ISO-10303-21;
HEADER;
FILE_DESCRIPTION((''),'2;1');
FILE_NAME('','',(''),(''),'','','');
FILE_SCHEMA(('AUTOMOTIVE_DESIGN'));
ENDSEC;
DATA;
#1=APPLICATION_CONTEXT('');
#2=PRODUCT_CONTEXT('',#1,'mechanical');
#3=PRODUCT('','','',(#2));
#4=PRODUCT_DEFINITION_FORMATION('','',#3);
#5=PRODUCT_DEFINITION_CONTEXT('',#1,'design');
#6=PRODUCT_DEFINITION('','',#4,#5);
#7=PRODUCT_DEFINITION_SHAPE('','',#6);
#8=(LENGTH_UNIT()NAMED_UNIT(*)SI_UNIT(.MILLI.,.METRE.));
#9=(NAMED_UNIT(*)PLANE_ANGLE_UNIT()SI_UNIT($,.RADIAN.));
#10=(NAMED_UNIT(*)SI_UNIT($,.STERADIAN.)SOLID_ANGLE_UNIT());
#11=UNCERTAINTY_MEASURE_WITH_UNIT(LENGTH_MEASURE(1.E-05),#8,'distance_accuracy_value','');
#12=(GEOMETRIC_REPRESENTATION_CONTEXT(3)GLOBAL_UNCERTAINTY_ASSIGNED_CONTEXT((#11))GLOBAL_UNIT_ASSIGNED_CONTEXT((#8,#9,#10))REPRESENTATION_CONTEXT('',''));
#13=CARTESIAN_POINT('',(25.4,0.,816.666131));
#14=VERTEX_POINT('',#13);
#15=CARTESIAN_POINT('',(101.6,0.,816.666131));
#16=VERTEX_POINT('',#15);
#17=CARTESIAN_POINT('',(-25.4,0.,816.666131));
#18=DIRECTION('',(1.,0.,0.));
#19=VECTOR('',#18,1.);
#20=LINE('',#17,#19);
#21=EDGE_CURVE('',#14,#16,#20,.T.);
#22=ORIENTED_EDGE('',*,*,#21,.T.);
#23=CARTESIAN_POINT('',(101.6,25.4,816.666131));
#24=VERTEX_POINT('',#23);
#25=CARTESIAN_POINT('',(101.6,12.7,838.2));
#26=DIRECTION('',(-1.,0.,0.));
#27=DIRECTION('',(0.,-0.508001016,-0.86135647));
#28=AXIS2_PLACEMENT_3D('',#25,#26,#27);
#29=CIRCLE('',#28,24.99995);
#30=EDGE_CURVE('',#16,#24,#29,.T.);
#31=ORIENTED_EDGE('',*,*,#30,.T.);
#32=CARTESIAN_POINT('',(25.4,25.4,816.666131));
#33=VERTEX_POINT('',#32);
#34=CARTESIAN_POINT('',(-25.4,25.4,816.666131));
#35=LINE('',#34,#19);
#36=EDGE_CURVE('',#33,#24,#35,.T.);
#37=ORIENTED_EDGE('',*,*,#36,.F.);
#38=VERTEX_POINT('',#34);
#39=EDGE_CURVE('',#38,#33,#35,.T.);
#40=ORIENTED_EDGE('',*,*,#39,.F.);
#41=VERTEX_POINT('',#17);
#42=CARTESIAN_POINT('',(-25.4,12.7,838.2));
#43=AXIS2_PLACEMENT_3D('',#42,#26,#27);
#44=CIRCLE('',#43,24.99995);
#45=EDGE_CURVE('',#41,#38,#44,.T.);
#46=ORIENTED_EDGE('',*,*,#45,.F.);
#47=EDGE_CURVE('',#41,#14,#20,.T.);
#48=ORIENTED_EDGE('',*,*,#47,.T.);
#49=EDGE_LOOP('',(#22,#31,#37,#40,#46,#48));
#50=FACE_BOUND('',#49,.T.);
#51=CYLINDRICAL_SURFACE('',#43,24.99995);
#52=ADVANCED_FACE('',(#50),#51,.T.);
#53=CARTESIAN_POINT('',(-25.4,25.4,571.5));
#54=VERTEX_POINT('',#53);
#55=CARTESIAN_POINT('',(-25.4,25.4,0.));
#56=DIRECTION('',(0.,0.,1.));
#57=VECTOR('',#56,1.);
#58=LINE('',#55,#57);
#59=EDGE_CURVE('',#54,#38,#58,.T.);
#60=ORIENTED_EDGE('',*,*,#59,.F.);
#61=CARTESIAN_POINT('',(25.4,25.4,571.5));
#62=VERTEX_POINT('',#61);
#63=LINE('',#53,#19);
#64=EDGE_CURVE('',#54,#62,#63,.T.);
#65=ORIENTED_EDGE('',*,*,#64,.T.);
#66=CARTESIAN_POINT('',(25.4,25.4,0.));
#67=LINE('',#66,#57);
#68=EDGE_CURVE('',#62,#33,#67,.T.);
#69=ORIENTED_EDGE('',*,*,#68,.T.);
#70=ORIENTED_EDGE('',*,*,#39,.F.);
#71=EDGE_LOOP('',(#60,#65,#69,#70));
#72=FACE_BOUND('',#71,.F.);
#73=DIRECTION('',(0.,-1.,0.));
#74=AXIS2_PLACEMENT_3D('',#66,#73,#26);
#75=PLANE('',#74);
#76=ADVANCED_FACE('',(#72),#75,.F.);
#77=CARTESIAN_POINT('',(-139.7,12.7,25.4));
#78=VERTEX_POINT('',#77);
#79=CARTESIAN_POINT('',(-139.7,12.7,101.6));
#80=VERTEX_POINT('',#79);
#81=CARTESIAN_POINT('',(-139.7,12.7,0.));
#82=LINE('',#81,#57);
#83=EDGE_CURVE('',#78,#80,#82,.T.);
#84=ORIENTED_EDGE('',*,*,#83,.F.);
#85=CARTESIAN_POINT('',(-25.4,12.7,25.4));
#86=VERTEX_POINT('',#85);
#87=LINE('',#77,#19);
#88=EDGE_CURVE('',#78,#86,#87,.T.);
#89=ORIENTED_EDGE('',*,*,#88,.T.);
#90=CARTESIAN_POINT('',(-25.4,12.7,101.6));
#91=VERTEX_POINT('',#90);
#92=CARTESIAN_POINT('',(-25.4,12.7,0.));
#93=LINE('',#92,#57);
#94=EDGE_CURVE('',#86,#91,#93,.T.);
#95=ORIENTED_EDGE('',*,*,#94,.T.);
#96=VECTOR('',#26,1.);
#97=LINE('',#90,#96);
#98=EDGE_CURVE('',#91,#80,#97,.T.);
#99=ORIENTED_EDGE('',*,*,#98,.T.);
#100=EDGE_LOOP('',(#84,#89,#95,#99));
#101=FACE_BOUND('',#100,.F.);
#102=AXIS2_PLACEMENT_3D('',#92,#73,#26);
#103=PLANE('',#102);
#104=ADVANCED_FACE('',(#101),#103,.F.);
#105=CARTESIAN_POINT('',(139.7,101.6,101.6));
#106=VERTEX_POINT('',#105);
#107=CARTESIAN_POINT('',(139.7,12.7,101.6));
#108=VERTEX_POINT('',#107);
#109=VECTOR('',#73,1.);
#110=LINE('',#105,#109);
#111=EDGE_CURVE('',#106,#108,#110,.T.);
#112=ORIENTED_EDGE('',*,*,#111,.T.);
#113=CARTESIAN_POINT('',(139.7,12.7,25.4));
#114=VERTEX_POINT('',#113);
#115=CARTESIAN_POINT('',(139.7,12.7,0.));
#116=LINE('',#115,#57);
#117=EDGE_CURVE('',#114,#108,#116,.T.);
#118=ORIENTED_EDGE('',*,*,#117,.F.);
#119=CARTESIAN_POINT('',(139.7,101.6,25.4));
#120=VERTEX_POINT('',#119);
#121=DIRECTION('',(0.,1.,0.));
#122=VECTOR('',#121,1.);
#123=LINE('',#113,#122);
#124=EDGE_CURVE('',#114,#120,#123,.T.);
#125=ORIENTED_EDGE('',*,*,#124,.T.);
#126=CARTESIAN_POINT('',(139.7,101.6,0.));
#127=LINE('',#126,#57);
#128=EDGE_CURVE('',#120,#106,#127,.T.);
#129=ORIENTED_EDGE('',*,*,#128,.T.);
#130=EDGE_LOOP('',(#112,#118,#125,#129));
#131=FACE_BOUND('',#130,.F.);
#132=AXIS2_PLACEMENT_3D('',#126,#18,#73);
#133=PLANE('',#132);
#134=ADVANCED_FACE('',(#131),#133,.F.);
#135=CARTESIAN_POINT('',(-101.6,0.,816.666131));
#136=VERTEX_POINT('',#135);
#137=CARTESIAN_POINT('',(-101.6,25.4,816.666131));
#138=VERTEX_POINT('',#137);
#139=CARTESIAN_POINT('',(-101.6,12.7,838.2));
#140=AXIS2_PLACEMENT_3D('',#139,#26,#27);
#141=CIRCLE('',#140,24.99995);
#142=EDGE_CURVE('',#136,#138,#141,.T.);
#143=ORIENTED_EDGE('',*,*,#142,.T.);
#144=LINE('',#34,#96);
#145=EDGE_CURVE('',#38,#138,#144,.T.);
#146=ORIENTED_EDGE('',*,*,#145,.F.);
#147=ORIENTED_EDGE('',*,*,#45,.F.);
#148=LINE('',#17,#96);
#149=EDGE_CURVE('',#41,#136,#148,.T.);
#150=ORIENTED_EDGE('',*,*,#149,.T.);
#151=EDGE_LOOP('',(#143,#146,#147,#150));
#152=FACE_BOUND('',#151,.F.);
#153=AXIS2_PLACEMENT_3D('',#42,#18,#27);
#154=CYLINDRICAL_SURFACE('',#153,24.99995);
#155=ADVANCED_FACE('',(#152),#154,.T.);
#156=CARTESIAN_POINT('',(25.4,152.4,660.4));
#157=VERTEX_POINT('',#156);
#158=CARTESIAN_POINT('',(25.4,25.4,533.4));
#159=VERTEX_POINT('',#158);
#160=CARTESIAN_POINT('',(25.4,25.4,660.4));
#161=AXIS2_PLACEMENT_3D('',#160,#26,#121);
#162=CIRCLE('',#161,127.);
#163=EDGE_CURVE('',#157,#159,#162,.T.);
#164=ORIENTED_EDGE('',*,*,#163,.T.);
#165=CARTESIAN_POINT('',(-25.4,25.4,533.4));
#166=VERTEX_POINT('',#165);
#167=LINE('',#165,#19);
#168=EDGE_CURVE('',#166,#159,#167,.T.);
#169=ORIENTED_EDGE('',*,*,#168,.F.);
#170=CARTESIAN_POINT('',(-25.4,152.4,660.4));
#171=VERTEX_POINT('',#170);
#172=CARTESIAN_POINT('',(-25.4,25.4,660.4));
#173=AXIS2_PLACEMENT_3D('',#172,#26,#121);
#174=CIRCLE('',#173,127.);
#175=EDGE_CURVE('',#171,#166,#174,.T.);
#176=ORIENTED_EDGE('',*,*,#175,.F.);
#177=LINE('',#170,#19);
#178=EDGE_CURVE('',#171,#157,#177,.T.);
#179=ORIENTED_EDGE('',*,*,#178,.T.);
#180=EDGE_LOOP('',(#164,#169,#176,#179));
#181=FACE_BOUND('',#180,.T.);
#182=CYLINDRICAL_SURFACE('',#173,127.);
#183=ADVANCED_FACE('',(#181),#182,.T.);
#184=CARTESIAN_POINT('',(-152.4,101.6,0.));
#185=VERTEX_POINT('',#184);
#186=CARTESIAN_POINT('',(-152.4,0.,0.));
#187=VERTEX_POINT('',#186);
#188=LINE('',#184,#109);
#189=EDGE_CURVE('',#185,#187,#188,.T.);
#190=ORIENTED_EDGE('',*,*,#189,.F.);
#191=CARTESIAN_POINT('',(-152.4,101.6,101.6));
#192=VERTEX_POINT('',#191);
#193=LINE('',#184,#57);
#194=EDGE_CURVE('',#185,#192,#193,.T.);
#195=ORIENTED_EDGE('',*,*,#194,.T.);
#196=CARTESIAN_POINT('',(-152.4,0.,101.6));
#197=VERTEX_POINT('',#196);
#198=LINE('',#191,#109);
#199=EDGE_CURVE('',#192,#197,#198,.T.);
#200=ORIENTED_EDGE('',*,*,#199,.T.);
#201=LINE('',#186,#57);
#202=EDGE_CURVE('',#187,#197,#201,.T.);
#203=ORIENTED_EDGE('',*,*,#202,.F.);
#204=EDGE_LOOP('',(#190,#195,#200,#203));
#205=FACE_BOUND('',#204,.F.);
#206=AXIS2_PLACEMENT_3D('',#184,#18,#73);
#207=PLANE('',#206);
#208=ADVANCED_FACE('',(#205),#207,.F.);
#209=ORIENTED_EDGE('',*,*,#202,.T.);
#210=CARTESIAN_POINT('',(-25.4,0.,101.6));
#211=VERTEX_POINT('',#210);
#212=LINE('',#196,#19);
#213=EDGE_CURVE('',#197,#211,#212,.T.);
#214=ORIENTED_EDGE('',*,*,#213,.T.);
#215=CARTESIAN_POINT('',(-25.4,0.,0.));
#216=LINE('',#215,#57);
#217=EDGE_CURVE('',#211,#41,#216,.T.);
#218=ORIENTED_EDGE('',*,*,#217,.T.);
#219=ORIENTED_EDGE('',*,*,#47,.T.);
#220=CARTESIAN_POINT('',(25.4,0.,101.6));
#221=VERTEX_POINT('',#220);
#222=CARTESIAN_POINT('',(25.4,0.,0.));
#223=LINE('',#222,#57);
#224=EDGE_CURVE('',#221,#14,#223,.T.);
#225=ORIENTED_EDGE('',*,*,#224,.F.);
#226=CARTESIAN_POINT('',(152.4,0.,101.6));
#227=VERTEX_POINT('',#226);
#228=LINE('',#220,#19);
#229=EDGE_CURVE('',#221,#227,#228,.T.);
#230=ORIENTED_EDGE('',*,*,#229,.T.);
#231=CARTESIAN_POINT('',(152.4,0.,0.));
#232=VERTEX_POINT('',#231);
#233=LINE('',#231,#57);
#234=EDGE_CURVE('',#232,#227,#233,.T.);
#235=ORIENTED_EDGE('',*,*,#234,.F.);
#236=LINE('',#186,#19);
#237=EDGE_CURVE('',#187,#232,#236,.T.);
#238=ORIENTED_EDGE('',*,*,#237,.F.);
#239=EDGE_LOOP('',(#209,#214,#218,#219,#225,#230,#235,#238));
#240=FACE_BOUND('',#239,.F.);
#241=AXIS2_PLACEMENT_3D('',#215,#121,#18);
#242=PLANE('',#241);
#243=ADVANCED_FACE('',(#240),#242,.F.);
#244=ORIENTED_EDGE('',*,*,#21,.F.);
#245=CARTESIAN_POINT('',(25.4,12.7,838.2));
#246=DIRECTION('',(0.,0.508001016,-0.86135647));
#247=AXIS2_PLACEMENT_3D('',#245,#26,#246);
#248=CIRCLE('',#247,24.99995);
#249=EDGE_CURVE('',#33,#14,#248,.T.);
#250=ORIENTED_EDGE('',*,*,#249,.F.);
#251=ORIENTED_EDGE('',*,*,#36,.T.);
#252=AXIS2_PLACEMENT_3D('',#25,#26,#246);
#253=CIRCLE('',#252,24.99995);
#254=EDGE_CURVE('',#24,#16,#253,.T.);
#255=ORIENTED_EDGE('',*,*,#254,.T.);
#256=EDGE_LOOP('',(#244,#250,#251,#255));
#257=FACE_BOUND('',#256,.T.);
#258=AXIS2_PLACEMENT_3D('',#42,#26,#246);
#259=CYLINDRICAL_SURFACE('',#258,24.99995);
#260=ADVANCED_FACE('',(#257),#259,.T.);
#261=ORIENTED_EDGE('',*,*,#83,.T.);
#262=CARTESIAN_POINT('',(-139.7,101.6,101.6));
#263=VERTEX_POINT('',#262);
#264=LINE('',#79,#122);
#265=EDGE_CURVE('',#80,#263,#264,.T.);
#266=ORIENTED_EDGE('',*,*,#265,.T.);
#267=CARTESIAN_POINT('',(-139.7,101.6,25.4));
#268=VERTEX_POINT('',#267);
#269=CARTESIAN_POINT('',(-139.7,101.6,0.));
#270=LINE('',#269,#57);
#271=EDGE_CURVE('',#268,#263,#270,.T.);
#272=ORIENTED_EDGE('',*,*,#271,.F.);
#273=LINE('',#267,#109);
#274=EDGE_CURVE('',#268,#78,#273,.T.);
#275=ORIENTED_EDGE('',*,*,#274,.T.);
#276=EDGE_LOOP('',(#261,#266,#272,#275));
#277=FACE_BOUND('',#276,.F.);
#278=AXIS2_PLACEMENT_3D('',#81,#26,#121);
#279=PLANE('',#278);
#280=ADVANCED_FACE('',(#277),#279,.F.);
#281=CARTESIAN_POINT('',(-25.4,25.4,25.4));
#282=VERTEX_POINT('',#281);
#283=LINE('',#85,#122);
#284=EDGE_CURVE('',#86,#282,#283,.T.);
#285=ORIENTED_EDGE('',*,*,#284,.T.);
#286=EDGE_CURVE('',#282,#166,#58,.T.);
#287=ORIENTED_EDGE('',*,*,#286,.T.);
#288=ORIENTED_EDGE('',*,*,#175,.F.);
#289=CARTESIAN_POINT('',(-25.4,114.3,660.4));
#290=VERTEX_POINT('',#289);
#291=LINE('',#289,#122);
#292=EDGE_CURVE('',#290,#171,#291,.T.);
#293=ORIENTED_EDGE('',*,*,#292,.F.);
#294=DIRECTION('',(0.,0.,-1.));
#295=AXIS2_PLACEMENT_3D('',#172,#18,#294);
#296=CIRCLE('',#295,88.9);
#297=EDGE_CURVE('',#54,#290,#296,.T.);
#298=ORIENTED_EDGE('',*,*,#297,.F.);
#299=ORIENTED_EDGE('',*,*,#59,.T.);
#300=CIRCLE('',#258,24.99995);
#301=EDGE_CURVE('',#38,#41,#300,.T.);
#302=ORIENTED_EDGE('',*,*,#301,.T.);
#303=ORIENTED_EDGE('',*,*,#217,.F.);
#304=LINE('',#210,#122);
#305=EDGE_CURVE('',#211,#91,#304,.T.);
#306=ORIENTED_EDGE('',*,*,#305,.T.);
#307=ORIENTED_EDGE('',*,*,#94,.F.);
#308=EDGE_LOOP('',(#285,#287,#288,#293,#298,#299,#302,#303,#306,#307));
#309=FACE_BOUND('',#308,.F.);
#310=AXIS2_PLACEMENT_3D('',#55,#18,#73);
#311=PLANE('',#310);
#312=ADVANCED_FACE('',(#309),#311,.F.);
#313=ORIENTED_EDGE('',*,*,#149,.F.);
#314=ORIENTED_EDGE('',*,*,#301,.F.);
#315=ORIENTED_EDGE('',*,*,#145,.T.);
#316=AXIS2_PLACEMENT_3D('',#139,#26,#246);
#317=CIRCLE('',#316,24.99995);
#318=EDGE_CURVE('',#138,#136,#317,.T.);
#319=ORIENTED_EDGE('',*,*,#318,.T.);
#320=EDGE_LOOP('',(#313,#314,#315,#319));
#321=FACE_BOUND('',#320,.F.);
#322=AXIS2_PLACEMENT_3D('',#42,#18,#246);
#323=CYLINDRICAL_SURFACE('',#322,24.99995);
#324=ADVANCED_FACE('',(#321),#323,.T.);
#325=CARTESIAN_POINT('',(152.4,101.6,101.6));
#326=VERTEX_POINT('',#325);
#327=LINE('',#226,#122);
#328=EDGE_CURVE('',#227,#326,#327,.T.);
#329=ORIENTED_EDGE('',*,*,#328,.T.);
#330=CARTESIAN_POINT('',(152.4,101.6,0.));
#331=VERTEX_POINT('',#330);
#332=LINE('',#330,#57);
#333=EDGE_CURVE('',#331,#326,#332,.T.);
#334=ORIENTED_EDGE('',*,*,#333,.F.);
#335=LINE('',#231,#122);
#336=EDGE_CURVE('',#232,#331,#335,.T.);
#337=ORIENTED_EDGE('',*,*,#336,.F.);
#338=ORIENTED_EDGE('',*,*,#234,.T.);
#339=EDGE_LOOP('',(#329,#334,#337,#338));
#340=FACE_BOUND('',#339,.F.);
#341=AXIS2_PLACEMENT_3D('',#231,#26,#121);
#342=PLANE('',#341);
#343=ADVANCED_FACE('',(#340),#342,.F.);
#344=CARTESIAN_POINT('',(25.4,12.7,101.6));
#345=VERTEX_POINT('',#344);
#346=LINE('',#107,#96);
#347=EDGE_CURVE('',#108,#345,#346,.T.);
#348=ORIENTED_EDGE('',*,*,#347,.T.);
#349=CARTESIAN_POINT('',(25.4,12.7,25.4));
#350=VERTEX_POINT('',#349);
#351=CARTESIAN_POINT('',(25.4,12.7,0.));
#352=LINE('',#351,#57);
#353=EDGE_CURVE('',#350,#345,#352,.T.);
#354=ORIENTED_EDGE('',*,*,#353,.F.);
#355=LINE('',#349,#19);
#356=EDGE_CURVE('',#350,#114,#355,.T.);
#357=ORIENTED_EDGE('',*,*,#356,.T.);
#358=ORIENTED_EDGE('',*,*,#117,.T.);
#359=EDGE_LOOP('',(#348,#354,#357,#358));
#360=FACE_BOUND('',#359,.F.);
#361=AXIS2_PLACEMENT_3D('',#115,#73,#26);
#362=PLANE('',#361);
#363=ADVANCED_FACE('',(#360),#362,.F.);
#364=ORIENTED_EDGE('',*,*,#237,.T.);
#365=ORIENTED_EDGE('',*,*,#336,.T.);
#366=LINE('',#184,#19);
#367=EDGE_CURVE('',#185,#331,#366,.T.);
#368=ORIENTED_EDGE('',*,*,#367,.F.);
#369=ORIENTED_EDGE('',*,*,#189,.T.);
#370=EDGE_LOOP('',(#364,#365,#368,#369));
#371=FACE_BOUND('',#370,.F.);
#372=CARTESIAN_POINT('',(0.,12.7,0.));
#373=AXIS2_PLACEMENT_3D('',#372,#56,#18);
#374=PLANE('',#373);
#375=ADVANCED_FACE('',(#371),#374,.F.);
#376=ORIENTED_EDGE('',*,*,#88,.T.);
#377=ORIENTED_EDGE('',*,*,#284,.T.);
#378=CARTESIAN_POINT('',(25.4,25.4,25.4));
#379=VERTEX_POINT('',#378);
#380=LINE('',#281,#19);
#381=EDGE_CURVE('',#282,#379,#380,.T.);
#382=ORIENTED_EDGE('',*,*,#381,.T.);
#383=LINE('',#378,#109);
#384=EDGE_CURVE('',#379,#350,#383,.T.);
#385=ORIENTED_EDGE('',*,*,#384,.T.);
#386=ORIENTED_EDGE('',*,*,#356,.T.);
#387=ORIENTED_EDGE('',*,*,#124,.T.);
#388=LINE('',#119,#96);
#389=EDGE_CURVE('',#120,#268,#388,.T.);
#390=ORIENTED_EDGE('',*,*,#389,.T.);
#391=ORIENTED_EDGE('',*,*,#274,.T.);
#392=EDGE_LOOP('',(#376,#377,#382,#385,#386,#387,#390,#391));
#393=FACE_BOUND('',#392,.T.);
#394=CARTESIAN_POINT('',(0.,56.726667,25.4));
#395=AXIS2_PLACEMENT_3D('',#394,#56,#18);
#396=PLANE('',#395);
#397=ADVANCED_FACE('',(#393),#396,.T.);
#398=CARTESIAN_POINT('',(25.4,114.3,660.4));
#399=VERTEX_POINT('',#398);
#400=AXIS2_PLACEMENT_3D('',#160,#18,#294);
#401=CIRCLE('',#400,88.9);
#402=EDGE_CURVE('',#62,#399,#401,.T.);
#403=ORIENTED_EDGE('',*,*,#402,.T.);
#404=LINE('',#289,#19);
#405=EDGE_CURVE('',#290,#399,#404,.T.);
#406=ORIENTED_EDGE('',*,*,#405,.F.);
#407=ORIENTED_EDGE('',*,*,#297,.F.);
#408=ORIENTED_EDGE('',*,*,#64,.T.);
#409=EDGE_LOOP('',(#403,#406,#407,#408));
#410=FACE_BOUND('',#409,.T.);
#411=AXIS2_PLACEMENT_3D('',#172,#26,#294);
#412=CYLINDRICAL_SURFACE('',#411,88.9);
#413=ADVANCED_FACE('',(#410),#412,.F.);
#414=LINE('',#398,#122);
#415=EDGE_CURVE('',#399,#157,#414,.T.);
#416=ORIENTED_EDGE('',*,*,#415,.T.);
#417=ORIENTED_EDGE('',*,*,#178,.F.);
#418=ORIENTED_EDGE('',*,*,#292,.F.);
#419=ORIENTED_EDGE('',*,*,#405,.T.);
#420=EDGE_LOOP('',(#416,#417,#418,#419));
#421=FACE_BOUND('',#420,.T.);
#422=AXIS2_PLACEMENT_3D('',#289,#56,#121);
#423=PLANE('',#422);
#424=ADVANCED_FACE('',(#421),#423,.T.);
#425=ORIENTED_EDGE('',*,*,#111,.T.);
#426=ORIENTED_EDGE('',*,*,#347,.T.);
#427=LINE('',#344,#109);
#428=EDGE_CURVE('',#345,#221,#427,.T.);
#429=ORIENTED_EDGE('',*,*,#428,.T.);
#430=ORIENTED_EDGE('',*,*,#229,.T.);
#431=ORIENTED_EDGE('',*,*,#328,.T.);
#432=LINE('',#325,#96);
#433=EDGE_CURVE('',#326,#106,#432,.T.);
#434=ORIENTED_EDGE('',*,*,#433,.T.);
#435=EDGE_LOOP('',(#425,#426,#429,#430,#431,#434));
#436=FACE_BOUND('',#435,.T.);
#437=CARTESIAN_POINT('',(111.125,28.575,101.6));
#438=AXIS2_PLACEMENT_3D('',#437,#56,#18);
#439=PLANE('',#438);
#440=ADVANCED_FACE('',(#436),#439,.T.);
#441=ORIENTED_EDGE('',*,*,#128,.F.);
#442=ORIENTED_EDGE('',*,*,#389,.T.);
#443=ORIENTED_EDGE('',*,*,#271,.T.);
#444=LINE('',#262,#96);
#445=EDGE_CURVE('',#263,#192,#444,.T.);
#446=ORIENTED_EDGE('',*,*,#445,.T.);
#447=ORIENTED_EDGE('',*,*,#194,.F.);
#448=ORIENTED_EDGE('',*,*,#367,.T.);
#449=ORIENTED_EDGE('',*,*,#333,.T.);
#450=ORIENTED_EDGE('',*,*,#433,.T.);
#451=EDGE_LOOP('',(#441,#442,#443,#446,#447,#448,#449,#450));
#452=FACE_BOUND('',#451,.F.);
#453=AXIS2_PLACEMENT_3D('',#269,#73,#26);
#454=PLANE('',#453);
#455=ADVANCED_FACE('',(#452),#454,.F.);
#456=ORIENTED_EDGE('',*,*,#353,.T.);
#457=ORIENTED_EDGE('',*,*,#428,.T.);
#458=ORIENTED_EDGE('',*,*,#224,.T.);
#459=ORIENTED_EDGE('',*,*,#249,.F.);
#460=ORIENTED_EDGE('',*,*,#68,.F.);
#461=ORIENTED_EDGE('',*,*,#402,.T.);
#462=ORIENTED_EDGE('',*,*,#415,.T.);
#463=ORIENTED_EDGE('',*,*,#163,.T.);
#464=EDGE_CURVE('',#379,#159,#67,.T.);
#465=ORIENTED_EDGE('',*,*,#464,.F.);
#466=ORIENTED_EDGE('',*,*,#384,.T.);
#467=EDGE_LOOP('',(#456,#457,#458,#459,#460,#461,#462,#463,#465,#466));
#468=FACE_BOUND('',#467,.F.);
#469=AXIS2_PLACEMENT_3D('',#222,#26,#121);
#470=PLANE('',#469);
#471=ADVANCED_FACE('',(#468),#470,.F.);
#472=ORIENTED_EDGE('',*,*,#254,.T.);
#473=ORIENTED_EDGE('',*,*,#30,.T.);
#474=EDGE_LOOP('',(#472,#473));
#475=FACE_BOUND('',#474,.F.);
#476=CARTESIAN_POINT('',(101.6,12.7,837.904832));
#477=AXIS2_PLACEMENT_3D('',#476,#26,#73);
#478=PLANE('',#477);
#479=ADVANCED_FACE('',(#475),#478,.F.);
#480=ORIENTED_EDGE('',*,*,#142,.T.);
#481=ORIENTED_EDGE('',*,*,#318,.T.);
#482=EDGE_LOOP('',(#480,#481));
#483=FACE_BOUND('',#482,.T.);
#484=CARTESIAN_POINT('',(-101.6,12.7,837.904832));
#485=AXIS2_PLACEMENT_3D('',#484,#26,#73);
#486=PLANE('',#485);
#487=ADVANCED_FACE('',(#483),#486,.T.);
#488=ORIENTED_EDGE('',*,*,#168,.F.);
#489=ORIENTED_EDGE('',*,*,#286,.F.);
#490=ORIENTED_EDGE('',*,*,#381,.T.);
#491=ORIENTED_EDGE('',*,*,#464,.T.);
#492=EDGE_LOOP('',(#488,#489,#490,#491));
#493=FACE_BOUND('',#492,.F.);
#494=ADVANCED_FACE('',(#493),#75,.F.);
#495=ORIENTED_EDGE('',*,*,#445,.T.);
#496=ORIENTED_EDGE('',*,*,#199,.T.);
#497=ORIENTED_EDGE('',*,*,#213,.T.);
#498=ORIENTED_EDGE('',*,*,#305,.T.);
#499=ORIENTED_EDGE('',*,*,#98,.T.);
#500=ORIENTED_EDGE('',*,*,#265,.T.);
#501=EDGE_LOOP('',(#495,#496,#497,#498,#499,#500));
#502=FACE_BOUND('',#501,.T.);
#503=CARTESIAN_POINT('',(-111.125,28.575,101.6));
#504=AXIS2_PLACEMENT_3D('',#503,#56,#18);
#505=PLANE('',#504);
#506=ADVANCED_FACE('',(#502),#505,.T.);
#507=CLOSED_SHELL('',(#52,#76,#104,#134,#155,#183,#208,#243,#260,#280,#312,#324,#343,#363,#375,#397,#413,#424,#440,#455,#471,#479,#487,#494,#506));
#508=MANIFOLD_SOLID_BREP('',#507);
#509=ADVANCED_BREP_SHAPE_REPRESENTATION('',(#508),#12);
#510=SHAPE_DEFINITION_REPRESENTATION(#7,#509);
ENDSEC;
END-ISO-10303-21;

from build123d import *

# Parameters (mm, degrees)
F1_DEPTH = 25.4
F2_DEPTH = 101.6
F3_DEPTH = 838.2
F5_DEPTH = 50.8
F6_DEPTH = 76.2
F7_DEPTH = 127


with BuildPart() as f1:
    # F0 (on Top) → F1 (new body)
    with BuildSketch(Plane.XY):
        Polygon((-139.7, 12.7), (-25.4, 12.7), (-25.4, 25.4), (25.4, 25.4), (25.4, 12.7), (139.7, 12.7), (139.7, 101.6), (-139.7, 101.6), align=None)
    extrude(amount=F1_DEPTH)

    # F0 (on Top) → F2 (join)
    with BuildSketch(Plane.XY):
        Polygon((-152.4, 0), (-25.4, 0), (-25.4, 12.7), (-139.7, 12.7), (-139.7, 101.6), (-152.4, 101.6), align=None)
        Polygon((25.4, 12.7), (25.4, 0), (152.4, 0), (152.4, 101.6), (139.7, 101.6), (139.7, 12.7), align=None)
    extrude(amount=F2_DEPTH)

    # F0 (on Top) → F3 (join)
    with BuildSketch(Plane.XY):
        Polygon((-25.4, 0), (0, 0), (25.4, 0), (25.4, 12.7), (25.4, 25.4), (-25.4, 25.4), (-25.4, 12.7), align=None)
    extrude(amount=F3_DEPTH)

    # F4 (on face) → F5 (join)
    with BuildSketch(Plane(origin=(-25.4, 0, 0), x_dir=(0, -1, 0), z_dir=(-1, 0, 0))):
        with BuildLine():
            Line((-25.4, 533.4), (-25.4, 571.5))
            ThreePointArc((-25.4, 571.5), (-88.2617928475, 597.5382071525), (-114.3, 660.4))
            Line((-114.3, 660.4), (-152.4, 660.4))
            ThreePointArc((-152.4, 660.4), (-115.2025612107, 570.5974387893), (-25.4, 533.4))
        make_face()
    extrude(amount=-F5_DEPTH)



with BuildPart() as f6:
    # F4 (on face) → F6 (new body)
    with BuildSketch(Plane(origin=(-25.4, 0, 0), x_dir=(0, -1, 0), z_dir=(-1, 0, 0))):
        with BuildLine():
            ThreePointArc((0, 816.6661313275), (9.0082572424, 825.8004408344), (12.29995, 838.2))
            ThreePointArc((12.29995, 838.2), (-25.0995591656, 859.9082572424), (-25.4, 816.6661313275))
            Line((-25.4, 816.6661313275), (-25.4, 838.2))
            Line((-25.4, 838.2), (0, 838.2))
            Line((0, 838.2), (0, 816.6661313275))
        make_face()
        with BuildLine():
            Line((-25.4, 838.2), (-25.4, 816.6661313275))
            ThreePointArc((-25.4, 816.6661313275), (-12.7, 813.20005), (0, 816.6661313275))
            Line((0, 816.6661313275), (0, 838.2))
            Line((0, 838.2), (-25.4, 838.2))
        make_face()
    extrude(amount=F6_DEPTH)


with BuildPart() as f1_1:
    add(f1.part)
    # F7 (add): a face of the model
    f7_faces = [f6.part.faces().sort_by_distance(p)[0] for p in [
        (-25.4, 12.7, 838.2),
    ]]

    add(f6.part)  # F7 merges F6
    extrude(f7_faces, amount=F7_DEPTH)


solid = f1_1.part
